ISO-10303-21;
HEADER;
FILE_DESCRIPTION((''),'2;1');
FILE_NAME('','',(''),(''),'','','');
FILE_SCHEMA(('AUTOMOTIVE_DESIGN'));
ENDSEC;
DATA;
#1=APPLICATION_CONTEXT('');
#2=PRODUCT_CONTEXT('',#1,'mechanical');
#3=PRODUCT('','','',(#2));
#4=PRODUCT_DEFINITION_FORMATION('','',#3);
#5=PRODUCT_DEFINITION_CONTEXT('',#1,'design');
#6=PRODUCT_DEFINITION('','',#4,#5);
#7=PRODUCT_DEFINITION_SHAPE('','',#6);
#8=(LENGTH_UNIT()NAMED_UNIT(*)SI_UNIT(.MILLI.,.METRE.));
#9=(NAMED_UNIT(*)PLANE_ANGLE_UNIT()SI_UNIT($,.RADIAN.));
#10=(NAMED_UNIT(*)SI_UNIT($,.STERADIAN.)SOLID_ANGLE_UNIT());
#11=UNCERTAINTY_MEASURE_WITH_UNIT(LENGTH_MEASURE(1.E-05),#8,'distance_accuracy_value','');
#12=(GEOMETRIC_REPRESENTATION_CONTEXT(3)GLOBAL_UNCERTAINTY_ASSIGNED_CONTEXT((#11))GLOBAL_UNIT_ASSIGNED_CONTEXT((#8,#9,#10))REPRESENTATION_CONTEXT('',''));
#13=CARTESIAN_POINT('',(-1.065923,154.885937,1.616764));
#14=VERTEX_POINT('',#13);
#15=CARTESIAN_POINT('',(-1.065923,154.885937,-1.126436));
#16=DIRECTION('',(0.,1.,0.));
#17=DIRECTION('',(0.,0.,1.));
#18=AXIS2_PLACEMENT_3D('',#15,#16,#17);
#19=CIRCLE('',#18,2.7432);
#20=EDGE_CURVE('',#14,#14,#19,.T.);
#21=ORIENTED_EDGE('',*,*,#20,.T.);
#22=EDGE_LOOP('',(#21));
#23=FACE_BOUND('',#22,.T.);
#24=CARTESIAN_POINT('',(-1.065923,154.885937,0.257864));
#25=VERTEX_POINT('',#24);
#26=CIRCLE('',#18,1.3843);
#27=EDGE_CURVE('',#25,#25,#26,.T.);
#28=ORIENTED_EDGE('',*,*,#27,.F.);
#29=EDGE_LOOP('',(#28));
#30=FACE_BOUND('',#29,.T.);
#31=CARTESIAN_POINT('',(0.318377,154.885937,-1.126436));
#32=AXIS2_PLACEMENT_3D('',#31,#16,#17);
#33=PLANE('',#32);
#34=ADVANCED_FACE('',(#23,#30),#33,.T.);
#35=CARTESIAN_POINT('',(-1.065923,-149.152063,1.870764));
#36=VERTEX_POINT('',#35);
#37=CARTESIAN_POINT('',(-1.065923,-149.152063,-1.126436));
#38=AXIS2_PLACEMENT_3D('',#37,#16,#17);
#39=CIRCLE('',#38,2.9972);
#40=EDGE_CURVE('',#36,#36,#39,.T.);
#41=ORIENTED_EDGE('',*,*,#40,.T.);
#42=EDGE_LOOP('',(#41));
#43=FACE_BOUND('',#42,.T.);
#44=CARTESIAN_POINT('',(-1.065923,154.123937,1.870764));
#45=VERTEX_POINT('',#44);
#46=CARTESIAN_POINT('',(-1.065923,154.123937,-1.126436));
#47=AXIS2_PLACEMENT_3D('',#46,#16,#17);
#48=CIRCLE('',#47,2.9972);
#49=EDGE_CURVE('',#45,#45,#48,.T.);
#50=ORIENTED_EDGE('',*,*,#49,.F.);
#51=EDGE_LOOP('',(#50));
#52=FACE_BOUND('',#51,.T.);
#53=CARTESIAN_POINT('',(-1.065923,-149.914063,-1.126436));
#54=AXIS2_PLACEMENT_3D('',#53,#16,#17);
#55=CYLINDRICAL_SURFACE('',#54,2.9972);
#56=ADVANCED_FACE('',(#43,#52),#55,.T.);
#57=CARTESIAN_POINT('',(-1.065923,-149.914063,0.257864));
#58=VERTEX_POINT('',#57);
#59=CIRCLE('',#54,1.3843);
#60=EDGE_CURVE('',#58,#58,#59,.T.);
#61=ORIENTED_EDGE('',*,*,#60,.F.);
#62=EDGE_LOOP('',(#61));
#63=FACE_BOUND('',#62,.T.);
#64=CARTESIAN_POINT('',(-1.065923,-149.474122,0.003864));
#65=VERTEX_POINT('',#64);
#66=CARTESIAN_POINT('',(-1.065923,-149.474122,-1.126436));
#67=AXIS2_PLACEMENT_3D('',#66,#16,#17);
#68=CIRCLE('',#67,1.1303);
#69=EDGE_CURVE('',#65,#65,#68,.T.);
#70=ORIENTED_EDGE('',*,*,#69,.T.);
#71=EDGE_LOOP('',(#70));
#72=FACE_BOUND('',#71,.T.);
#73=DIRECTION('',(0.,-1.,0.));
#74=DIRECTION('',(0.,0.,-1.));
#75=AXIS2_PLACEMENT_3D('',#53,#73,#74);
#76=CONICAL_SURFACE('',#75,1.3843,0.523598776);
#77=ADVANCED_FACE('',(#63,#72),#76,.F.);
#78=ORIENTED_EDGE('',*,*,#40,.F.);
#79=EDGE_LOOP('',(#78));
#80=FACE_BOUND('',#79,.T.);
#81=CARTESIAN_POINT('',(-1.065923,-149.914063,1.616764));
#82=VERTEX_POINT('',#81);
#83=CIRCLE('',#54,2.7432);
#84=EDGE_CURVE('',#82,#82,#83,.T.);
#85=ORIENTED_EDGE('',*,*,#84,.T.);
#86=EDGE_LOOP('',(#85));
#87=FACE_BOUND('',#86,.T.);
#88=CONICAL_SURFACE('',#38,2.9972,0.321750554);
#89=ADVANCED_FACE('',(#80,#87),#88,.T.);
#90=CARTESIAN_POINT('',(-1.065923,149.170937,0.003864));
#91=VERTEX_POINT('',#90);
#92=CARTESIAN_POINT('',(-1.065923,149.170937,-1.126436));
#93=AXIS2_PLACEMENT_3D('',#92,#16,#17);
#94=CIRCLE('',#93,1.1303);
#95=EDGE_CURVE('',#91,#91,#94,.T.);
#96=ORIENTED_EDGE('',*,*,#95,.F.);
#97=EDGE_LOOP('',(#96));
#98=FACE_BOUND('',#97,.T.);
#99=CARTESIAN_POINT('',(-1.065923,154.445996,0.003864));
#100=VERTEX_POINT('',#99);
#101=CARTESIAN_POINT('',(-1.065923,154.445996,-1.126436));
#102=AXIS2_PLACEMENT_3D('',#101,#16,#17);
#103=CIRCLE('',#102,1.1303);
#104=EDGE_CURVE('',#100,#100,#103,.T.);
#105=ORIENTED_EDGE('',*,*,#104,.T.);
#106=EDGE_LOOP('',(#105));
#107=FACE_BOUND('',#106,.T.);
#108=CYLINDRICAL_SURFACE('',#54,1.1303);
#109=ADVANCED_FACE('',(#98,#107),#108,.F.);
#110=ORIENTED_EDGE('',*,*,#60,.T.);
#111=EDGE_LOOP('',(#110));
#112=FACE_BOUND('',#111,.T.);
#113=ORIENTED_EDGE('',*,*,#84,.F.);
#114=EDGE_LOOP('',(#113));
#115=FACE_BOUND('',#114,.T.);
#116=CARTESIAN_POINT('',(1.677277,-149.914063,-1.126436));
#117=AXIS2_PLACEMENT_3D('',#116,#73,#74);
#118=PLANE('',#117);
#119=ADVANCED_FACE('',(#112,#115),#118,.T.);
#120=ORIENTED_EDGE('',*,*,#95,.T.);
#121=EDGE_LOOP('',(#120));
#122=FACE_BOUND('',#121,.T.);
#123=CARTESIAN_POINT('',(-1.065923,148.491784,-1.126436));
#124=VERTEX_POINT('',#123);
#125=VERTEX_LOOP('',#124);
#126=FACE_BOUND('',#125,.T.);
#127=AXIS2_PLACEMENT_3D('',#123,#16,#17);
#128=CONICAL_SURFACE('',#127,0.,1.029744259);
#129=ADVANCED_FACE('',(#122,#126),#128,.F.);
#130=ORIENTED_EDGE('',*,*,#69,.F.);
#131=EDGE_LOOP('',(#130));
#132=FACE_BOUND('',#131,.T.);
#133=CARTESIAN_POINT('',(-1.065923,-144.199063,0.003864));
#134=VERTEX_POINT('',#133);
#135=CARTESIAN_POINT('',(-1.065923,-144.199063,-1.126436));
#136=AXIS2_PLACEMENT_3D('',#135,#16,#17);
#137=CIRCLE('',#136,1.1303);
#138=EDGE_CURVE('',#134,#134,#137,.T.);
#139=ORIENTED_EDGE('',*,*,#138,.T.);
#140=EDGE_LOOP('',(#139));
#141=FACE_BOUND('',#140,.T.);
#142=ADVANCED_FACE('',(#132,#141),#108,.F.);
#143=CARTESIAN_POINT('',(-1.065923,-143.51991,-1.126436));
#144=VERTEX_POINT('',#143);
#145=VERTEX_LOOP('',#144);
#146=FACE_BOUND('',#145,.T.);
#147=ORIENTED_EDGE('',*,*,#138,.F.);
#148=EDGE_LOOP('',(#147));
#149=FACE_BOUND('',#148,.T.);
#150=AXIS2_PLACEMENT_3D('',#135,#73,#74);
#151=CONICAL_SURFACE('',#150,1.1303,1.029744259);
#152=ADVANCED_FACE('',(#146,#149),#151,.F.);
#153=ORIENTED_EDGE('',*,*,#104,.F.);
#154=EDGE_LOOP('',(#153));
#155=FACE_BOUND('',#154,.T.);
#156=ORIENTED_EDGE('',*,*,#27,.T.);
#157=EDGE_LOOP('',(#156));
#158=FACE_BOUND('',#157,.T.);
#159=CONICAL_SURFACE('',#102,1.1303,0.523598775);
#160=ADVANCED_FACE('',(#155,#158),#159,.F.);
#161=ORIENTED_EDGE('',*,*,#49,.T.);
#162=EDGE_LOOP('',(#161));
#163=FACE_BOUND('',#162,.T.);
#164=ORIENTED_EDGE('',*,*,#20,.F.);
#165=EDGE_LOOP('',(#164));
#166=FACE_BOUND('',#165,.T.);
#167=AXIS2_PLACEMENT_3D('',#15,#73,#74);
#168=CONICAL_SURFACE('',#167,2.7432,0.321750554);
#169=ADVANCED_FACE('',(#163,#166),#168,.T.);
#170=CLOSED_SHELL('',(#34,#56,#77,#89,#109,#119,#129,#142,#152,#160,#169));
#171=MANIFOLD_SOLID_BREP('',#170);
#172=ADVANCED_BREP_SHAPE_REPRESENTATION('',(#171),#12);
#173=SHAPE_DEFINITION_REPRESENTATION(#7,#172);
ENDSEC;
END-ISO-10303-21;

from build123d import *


with BuildPart() as part:
    # Sketch1 → Revolve1 (revolve)
    with BuildSketch(Plane(origin=(0, 0, -1.126435958), x_dir=(-1, 0, 0), z_dir=(0, 0, -1)), mode=Mode.PRIVATE) as revolve1_sk:
        Polygon((-0.064377258, -144.199063069), (1.065922742, -143.519910312), (1.065922742, 148.491784173), (-0.064377258, 149.170936931), (-0.064377258, 154.445996026), (-0.318377258, 154.885936931), (-1.677277258, 154.885936931), (-1.931277258, 154.123936931), (-1.931277258, -149.152063069), (-1.677277258, -149.914063069), (-0.318377258, -149.914063069), (-0.064377258, -149.474122164), align=None)
    revolve(revolve1_sk.sketch.rotate(Axis((-1.065922742, -149.914063069, -1.126435958), (0, 1, 0)), 270), axis=Axis((-1.065922742, -149.914063069, -1.126435958), (0, 1, 0)))


solid = part.part
